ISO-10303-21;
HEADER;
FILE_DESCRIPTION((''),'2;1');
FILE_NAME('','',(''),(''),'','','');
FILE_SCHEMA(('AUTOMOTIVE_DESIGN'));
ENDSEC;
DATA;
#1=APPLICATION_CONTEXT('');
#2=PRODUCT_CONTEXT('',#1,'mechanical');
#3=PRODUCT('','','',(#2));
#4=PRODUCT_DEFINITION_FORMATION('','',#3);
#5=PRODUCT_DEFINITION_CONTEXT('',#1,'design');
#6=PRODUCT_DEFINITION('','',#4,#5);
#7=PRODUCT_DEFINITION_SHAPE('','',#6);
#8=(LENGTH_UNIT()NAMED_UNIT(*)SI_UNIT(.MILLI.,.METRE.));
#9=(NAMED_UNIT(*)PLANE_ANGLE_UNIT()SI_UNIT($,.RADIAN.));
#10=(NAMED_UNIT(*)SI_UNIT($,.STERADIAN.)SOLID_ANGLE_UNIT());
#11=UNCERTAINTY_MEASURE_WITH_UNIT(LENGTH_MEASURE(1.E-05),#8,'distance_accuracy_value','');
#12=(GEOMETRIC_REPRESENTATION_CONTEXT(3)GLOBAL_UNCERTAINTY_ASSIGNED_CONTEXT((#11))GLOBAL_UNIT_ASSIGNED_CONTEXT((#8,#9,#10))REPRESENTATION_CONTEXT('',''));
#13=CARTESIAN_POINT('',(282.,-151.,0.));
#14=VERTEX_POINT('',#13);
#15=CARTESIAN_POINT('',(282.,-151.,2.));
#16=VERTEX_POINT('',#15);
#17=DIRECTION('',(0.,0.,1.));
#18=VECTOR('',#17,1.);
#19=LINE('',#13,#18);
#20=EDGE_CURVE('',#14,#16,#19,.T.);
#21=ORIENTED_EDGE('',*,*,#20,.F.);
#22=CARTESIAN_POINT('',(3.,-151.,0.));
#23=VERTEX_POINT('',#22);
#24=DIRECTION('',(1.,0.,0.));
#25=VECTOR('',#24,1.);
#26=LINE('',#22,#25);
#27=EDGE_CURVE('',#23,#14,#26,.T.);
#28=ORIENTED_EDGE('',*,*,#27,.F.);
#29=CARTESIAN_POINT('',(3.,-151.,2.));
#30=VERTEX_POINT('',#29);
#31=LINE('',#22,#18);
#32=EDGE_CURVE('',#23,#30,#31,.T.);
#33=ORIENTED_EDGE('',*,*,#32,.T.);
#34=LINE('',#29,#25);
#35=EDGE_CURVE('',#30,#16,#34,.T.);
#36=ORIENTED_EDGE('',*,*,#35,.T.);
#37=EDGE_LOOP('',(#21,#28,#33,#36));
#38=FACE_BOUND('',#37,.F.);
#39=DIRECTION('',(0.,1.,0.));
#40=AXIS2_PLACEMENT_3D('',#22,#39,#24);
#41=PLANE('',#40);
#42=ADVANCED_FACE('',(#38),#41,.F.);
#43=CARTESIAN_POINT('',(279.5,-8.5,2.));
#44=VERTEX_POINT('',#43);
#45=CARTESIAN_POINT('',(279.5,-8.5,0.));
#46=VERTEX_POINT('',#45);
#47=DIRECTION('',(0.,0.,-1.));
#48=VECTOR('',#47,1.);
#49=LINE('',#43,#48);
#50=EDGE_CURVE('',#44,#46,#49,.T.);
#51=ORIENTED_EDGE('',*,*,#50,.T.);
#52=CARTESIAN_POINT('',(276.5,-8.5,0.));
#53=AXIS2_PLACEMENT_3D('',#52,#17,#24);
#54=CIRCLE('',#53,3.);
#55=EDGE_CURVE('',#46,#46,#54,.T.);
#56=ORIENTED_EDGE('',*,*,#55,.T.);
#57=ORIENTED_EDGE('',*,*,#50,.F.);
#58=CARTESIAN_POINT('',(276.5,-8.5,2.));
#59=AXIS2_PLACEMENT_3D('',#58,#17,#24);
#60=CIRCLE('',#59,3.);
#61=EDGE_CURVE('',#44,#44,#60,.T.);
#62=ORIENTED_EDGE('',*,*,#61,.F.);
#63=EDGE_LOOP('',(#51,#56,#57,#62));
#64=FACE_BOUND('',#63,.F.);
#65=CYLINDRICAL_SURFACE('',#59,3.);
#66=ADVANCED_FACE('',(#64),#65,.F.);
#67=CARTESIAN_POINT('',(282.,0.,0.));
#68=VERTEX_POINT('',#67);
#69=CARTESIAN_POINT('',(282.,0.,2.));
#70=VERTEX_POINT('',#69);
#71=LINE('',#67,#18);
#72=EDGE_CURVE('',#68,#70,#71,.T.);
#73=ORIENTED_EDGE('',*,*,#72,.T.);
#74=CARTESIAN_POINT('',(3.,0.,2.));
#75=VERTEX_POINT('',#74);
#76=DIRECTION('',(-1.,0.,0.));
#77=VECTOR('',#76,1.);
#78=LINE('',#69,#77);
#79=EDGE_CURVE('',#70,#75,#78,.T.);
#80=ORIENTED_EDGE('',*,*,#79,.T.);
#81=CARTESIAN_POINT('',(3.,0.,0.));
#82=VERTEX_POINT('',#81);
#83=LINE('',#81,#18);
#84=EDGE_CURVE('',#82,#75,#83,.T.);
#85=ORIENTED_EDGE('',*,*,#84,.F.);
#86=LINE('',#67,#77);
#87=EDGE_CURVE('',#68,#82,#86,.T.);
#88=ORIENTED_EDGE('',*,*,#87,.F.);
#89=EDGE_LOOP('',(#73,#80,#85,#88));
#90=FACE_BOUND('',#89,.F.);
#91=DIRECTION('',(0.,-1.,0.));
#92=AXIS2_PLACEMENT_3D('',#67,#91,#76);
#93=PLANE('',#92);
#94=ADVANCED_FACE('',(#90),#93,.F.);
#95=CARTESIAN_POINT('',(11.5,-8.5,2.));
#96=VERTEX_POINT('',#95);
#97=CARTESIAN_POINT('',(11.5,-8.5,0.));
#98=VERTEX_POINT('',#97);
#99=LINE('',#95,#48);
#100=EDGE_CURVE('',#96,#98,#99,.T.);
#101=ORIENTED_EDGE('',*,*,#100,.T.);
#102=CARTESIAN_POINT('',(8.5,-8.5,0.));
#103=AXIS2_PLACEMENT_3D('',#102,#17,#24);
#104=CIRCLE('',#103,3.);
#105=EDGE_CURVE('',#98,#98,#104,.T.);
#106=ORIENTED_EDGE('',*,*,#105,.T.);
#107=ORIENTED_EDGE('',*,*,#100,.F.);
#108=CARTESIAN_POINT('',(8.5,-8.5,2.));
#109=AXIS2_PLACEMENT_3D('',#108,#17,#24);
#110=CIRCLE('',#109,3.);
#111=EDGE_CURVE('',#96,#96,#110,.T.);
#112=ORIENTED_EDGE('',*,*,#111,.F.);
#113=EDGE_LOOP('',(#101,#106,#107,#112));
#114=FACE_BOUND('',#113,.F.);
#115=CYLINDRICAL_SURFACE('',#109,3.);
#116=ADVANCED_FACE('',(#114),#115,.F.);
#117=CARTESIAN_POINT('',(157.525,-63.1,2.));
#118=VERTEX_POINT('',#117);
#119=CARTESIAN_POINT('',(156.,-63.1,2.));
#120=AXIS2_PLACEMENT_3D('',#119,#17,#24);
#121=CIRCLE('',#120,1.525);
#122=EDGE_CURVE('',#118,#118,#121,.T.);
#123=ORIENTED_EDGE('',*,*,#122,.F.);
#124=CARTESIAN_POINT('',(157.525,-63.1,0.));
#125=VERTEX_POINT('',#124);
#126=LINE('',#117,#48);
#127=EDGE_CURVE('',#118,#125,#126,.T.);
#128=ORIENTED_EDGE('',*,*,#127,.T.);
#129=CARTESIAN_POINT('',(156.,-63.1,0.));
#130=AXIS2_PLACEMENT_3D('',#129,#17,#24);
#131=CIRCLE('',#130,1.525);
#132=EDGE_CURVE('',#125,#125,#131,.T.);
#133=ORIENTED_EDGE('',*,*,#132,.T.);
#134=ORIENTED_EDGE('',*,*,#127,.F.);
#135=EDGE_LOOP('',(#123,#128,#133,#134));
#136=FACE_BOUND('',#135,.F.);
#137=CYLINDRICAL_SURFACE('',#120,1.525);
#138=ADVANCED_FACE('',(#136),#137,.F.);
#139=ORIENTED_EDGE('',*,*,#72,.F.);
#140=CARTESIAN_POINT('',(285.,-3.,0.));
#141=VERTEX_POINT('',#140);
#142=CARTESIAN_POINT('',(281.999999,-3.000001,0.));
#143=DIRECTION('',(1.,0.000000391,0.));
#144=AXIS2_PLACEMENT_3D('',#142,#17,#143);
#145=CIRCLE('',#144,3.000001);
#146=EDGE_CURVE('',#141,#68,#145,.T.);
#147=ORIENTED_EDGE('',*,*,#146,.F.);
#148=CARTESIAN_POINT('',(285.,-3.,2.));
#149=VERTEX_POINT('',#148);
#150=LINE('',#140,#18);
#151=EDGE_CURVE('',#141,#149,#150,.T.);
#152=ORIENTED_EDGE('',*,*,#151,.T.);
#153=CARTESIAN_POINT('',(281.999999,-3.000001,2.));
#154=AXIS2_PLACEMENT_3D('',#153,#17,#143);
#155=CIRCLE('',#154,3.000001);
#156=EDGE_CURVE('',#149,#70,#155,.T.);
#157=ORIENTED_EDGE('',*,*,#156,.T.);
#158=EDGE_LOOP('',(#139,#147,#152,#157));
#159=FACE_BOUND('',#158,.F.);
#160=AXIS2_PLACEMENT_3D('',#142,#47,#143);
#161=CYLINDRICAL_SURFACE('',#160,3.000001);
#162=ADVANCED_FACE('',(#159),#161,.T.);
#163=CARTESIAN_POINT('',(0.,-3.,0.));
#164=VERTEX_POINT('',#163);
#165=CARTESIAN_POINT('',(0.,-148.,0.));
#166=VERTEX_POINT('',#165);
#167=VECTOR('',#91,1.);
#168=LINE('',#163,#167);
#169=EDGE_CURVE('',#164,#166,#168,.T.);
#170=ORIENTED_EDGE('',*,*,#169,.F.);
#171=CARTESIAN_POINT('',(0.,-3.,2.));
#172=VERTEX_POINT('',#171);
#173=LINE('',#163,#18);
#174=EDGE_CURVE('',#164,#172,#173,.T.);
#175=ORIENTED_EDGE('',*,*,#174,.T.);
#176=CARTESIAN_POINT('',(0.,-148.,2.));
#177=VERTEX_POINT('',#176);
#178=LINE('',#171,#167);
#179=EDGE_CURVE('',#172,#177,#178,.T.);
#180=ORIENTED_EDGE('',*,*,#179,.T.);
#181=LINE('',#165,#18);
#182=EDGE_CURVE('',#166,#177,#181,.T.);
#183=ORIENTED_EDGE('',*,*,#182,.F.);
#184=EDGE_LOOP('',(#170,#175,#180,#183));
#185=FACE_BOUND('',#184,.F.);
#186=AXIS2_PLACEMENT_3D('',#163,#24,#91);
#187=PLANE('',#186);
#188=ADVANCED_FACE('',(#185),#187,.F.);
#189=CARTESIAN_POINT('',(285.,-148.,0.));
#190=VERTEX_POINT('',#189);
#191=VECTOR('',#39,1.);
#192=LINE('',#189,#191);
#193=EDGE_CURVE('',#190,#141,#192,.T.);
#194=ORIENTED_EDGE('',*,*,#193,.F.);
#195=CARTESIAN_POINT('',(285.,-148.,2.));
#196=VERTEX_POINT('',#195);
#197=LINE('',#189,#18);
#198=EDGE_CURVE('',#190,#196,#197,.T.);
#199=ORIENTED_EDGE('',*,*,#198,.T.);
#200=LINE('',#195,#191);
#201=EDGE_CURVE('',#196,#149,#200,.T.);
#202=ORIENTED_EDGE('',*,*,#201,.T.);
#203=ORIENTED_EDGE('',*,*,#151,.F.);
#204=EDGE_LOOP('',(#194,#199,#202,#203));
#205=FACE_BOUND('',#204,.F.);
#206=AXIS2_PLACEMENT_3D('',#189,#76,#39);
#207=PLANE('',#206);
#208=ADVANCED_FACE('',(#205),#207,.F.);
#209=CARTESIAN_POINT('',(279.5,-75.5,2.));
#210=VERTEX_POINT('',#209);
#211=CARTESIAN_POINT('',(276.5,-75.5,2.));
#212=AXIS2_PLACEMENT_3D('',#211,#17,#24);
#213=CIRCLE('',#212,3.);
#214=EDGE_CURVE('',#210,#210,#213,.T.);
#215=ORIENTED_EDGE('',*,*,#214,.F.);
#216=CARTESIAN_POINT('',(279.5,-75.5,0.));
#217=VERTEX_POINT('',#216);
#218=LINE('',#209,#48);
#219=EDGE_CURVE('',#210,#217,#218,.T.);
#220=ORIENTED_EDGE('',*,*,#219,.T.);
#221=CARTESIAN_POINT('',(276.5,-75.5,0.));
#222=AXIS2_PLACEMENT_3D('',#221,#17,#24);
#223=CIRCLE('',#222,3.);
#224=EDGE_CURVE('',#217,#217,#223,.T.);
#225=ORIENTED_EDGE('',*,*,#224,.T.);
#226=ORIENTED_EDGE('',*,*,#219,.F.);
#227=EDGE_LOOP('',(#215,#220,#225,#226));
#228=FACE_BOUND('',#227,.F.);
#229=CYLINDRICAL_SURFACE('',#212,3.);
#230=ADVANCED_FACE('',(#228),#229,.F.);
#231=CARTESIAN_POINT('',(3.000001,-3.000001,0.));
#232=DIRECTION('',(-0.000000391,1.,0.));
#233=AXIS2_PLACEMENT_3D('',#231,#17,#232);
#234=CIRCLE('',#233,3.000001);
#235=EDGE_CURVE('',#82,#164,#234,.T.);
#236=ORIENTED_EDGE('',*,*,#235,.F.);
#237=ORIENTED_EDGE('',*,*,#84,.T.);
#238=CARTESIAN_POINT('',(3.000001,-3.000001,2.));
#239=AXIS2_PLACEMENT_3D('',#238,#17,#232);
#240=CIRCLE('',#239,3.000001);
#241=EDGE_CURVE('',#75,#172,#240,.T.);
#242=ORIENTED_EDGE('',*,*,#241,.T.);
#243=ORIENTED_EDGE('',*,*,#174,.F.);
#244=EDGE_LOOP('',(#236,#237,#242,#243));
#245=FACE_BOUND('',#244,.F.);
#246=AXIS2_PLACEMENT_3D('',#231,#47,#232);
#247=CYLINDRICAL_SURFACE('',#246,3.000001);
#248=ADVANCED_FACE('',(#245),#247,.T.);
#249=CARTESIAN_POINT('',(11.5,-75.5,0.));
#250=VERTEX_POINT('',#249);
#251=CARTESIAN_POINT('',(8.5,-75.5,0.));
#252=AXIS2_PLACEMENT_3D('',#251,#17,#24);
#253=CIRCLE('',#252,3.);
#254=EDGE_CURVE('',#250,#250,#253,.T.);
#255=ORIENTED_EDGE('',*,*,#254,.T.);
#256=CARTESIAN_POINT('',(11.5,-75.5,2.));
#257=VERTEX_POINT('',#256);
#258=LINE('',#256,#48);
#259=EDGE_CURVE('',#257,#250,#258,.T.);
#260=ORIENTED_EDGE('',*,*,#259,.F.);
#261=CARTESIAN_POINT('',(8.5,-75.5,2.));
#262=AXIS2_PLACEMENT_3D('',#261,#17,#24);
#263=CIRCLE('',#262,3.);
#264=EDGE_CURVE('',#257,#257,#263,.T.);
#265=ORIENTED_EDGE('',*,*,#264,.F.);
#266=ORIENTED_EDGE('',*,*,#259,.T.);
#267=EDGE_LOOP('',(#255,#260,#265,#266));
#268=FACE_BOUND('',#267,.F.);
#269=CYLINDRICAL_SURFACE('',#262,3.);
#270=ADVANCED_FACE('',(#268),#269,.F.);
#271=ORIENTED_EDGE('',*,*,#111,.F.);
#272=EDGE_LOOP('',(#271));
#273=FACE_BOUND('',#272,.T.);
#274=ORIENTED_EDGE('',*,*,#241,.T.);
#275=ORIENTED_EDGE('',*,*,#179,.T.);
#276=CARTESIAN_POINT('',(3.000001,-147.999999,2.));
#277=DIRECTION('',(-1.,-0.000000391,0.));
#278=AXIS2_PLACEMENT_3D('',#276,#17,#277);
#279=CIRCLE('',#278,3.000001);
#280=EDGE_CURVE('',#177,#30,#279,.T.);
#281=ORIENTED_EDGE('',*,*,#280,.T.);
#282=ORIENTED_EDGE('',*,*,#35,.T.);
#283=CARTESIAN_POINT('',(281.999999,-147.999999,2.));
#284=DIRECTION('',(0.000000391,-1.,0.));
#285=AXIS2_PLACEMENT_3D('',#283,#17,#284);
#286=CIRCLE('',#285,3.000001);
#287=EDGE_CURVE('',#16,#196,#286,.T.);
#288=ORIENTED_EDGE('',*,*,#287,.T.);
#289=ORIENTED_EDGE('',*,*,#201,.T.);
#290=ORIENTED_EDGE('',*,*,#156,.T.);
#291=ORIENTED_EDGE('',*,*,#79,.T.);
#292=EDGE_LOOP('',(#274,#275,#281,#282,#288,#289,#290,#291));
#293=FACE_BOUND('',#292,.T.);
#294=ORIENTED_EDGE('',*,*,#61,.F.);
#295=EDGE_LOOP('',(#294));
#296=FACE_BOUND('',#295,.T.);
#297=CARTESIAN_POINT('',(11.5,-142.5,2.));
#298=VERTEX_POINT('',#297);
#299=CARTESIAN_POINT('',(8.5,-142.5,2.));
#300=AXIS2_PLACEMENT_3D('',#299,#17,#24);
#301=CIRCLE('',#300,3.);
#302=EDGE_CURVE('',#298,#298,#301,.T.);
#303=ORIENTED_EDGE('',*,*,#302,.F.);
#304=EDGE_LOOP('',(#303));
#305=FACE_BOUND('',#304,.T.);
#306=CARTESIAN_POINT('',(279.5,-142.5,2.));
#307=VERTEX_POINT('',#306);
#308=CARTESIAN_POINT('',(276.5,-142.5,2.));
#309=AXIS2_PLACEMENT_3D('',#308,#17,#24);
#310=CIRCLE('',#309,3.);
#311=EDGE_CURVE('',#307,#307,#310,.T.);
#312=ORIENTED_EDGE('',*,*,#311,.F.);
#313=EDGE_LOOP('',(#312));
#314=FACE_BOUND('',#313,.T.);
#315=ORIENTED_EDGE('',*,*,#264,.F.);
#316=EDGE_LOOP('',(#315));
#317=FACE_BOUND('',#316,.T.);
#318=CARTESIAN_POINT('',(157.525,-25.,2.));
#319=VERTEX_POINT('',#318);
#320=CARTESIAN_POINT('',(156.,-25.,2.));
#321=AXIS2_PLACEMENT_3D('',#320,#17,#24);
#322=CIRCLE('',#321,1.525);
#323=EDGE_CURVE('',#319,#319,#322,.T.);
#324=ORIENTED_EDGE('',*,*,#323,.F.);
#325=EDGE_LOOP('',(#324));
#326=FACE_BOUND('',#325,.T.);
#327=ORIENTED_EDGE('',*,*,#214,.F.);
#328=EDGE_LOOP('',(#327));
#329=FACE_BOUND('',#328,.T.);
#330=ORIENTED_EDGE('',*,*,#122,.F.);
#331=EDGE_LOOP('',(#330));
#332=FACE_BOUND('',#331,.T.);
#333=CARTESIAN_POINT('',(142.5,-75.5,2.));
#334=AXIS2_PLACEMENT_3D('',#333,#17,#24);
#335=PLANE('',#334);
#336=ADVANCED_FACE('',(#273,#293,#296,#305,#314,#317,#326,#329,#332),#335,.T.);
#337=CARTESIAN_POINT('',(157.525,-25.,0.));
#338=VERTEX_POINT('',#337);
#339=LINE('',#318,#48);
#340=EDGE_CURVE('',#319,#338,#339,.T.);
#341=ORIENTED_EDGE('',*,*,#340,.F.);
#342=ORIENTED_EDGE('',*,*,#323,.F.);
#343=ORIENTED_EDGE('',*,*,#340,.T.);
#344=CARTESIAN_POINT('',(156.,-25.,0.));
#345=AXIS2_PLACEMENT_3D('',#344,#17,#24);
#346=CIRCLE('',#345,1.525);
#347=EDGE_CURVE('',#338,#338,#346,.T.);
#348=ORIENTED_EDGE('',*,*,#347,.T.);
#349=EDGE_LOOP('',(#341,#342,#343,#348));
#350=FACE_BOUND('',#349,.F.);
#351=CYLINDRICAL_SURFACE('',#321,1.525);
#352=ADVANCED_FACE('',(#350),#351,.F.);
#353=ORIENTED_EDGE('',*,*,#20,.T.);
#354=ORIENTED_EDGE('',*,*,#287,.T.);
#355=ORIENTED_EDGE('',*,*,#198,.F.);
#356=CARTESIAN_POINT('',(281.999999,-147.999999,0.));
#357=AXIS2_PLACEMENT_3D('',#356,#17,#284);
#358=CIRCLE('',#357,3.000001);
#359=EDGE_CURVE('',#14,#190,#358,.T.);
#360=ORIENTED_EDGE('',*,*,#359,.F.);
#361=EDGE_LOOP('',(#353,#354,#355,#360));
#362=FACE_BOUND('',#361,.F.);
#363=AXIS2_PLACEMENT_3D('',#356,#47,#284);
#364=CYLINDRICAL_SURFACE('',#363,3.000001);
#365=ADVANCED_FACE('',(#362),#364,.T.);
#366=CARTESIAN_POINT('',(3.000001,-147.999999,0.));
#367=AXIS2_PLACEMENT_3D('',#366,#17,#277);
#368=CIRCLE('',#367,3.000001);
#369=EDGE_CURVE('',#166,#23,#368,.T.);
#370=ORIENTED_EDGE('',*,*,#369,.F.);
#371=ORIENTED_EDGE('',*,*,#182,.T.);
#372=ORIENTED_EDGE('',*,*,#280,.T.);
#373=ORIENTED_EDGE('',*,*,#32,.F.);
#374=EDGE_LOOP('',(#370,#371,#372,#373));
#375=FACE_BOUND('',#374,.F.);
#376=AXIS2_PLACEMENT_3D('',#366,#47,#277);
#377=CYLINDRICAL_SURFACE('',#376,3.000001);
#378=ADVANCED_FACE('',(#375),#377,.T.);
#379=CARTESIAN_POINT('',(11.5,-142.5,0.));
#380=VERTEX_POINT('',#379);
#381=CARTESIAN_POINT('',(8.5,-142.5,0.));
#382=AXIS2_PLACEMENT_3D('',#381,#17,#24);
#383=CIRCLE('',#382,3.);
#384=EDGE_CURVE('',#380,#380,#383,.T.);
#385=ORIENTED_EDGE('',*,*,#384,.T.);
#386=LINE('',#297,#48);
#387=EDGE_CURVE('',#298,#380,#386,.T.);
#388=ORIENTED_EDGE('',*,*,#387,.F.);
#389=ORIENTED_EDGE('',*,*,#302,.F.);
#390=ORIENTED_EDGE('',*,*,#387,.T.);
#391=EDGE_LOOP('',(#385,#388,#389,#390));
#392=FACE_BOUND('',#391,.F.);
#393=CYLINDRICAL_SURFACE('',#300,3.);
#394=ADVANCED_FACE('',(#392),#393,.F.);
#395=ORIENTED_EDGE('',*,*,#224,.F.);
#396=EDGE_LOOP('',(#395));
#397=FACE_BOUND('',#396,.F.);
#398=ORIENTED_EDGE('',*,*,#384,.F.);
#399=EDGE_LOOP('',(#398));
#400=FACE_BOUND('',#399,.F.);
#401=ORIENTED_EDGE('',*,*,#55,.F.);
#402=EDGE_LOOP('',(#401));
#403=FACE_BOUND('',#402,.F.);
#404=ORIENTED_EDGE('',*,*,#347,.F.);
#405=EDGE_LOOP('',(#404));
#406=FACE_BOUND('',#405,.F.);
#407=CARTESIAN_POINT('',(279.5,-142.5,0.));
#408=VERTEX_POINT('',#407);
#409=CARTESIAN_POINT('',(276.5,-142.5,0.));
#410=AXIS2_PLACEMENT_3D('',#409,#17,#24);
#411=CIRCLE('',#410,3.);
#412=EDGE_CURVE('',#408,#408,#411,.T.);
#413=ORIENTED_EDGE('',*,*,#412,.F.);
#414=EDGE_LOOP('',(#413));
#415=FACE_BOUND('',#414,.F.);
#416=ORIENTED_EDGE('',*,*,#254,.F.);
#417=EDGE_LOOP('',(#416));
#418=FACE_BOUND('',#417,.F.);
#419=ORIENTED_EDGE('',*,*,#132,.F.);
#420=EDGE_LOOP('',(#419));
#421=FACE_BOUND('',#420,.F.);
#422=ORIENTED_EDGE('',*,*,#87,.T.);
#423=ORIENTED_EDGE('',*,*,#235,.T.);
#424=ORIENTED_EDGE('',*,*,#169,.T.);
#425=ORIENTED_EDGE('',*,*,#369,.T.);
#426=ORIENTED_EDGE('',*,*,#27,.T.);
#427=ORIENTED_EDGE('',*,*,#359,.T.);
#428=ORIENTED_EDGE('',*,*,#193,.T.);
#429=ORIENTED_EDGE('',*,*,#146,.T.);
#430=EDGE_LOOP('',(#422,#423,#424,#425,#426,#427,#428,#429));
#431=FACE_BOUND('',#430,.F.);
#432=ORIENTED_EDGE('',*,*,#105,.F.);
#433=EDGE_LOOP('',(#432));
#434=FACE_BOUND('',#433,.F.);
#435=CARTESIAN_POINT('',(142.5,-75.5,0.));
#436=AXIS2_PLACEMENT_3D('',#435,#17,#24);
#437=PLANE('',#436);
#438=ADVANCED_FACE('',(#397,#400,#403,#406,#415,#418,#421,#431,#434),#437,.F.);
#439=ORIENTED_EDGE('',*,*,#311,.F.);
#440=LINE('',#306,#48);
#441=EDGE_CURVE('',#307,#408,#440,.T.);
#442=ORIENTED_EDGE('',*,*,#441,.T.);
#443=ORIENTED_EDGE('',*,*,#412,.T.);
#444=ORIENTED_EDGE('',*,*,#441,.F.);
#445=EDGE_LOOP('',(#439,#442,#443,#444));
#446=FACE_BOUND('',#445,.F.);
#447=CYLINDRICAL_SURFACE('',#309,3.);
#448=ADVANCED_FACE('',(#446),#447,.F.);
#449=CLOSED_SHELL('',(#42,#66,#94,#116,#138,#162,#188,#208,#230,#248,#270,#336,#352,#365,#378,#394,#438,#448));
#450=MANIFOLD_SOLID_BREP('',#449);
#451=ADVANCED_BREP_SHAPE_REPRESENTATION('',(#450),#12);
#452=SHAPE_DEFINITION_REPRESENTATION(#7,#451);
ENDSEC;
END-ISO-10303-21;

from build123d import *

# Parameters (mm, degrees)
F1_DEPTH = 2
F2_R     = 3
F3_DEPTH = 2
F4_R     = 1.525
F5_DEPTH = 2


with BuildPart() as f1:
    # F0 (on Top) → F1 (new body)
    with BuildSketch(Plane.XY):
        with BuildLine():
            Line((282, 0), (3, 0))
            ThreePointArc((3, 0), (0.87868, -0.87868), (0, -3))
            Line((0, -3), (0, -148))
            ThreePointArc((0, -148), (0.87868, -150.12132), (3, -151))
            Line((3, -151), (282, -151))
            ThreePointArc((282, -151), (284.12132, -150.12132), (285, -148))
            Line((285, -148), (285, -3))
            ThreePointArc((285, -3), (284.12132, -0.87868), (282, 0))
        make_face()
    extrude(amount=F1_DEPTH)

    # F2 (on face) → F3 (cut)
    with BuildSketch(Plane.XY.offset(2)):
        with Locations((8.5, -8.5)):
            Circle(F2_R)
        with Locations((8.5, -75.5)):
            Circle(F2_R)
        with Locations((8.5, -142.5)):
            Circle(F2_R)
        with Locations((276.5, -142.5)):
            Circle(F2_R)
        with Locations((276.5, -75.5)):
            Circle(F2_R)
        with Locations((276.5, -8.5)):
            Circle(F2_R)
    extrude(amount=-F3_DEPTH, mode=Mode.SUBTRACT)

    # F4 (on face) → F5 (cut)
    with BuildSketch(Plane.XY.offset(2)):
        with Locations((156, -63.1)):
            Circle(F4_R)
        with Locations((156, -25)):
            Circle(F4_R)
    extrude(amount=-F5_DEPTH, mode=Mode.SUBTRACT)


solid = f1.part
